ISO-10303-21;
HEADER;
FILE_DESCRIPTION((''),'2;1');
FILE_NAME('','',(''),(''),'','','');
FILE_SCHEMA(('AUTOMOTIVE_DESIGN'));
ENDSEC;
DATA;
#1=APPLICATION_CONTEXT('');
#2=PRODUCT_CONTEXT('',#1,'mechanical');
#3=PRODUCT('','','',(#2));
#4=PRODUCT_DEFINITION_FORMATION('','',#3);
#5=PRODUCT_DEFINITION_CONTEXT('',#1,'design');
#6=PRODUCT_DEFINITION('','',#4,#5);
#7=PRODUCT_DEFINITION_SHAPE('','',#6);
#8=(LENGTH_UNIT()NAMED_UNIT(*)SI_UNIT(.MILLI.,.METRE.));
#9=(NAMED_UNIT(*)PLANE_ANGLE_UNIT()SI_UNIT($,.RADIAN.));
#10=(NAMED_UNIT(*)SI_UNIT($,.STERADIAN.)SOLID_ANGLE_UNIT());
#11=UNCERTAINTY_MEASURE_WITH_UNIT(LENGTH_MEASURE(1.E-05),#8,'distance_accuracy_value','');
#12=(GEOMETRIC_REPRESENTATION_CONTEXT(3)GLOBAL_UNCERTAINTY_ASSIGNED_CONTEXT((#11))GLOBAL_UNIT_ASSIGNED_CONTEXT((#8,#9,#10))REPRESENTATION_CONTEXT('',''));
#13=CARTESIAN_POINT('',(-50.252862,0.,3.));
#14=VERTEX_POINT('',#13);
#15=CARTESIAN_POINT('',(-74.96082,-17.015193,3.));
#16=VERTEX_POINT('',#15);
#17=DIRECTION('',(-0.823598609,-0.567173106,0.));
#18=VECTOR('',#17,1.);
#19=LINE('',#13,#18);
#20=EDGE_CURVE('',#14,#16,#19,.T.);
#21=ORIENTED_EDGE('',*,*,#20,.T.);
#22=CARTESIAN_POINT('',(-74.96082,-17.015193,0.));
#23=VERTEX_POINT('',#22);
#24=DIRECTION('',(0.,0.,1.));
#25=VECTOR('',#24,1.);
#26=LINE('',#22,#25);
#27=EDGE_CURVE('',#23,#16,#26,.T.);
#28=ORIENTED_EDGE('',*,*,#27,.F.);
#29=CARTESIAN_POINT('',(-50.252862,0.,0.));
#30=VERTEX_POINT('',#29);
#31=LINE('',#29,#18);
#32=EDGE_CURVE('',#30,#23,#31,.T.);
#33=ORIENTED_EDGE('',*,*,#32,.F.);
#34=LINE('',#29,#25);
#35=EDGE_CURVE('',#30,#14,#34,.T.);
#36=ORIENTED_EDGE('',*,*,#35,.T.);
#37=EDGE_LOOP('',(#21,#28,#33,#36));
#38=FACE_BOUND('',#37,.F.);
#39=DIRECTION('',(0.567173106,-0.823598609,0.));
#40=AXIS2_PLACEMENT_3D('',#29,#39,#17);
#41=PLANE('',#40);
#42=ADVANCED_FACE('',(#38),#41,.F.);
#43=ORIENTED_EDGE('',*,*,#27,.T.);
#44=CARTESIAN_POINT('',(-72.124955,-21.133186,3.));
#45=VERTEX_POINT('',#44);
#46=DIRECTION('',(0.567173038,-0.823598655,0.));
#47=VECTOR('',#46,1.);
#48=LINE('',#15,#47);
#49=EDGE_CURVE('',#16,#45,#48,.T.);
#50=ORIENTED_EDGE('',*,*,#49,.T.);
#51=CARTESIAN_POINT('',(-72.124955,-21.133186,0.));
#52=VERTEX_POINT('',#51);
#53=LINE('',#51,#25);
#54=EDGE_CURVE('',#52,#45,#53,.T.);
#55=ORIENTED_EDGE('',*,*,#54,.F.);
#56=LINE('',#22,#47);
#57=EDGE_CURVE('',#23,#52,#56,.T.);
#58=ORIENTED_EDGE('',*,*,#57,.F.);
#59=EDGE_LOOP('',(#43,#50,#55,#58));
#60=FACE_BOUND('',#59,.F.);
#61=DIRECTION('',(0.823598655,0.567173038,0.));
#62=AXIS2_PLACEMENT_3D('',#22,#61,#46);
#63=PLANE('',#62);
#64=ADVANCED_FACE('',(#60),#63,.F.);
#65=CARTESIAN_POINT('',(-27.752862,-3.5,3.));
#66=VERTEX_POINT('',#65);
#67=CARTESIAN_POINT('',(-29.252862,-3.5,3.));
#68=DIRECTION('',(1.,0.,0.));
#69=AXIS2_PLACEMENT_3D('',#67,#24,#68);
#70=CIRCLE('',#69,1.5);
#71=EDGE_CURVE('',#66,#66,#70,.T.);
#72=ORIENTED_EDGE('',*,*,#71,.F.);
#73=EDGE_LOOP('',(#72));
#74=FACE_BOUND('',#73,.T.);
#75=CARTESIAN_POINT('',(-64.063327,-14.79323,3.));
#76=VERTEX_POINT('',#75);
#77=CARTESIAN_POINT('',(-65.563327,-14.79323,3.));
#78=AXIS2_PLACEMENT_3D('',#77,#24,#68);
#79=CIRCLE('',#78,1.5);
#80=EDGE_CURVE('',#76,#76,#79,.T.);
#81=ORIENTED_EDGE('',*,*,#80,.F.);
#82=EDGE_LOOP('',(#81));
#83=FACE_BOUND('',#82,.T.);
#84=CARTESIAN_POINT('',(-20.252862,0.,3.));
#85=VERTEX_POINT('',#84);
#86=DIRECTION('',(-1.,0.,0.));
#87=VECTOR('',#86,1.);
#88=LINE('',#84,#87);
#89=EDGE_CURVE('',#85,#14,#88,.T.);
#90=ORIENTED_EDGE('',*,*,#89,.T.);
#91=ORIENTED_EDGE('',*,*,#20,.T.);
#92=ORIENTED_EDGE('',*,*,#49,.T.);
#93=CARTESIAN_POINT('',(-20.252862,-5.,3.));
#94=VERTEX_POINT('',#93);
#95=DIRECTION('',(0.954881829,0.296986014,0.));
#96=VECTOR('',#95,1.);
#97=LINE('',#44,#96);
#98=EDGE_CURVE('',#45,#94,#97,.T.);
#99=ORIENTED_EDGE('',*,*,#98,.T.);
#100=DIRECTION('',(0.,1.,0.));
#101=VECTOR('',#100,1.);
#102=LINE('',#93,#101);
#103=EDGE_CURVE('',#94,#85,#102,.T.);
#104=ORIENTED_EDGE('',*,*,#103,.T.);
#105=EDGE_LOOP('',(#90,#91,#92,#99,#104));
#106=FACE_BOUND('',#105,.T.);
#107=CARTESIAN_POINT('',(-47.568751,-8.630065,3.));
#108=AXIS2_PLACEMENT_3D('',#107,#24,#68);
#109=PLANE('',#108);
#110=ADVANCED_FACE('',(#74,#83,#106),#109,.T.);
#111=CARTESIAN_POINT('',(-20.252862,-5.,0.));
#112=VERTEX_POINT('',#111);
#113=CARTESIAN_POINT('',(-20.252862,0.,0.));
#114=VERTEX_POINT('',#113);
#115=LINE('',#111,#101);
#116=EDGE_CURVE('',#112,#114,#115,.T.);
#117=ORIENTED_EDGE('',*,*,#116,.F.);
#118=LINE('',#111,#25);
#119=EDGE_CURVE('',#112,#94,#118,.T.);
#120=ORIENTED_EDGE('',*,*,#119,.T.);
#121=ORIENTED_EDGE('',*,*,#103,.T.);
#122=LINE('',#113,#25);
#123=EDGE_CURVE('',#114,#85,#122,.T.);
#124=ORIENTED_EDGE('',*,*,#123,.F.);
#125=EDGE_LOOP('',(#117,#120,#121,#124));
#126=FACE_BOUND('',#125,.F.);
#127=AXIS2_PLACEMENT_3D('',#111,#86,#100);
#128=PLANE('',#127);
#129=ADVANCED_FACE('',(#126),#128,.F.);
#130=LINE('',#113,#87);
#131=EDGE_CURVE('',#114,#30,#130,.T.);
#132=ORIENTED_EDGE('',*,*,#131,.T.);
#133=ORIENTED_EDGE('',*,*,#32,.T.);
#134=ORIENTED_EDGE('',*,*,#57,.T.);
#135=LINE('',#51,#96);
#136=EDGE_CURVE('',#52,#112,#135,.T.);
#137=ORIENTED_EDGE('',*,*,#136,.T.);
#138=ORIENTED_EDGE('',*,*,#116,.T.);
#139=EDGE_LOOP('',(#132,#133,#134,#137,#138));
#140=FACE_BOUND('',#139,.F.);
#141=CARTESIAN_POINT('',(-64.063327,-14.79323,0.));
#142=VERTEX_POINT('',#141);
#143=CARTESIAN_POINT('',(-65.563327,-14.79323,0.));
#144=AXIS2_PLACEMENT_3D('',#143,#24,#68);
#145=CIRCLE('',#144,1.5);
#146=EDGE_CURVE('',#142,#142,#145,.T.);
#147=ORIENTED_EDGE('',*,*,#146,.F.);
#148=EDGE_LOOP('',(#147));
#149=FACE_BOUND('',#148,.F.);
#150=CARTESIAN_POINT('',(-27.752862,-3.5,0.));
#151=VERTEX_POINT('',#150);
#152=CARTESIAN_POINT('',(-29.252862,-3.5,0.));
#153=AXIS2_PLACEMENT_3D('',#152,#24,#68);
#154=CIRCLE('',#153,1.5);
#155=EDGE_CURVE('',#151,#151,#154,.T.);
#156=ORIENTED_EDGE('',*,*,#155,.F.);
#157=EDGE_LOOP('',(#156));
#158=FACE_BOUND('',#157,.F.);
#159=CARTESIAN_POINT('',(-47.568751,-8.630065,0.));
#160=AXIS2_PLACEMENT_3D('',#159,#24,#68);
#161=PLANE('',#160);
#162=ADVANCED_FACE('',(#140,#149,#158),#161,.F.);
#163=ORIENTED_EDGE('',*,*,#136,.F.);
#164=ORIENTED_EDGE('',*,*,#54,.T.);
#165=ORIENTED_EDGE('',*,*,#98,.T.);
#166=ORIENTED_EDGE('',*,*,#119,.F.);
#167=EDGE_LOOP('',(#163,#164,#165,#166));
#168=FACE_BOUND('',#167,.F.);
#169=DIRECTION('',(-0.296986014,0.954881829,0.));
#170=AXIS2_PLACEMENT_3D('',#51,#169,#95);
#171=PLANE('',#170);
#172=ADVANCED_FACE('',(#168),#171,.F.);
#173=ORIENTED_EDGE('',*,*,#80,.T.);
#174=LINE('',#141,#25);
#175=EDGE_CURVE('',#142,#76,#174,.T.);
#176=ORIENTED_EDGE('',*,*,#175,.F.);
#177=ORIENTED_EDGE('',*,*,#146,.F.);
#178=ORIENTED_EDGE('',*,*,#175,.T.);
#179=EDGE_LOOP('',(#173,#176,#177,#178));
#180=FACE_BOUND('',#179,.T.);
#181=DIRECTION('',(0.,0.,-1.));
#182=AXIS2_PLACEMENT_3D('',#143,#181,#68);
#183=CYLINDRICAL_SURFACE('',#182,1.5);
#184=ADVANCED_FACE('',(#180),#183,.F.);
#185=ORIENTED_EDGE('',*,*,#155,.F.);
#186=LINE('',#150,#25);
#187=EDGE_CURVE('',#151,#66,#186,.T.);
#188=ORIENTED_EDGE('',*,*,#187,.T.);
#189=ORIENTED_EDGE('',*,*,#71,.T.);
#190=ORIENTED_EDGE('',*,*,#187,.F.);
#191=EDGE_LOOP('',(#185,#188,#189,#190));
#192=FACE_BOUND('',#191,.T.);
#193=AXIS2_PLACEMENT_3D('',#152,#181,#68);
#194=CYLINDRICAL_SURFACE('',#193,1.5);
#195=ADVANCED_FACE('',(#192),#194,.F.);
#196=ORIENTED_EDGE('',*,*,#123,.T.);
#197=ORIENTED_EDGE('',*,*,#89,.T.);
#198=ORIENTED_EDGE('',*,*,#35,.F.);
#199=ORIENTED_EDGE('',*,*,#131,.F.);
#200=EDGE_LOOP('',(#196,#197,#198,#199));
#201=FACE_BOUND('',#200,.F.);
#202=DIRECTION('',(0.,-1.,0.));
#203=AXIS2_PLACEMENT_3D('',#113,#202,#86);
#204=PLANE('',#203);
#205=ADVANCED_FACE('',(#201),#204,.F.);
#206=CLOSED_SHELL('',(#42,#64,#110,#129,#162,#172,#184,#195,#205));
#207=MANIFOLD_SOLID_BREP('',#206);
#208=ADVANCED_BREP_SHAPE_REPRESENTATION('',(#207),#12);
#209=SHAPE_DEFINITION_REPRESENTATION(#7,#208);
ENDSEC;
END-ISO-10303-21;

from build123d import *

# Parameters (mm, degrees)
F0_R     = 1.5
F1_DEPTH = 3


with BuildPart() as f1:
    # F0 (on Top) → F1 (new body)
    with BuildSketch(Plane.XY):
        Polygon((-20.252862, 0), (-50.252862, 0), (-74.96082, -17.015193), (-72.124955, -21.133186), (-20.252862, -5), align=None)
        with Locations((-65.563327, -14.79323)):
            Circle(F0_R, mode=Mode.SUBTRACT)
        with Locations((-29.252862, -3.5)):
            Circle(F0_R, mode=Mode.SUBTRACT)
    extrude(amount=F1_DEPTH)


solid = f1.part
